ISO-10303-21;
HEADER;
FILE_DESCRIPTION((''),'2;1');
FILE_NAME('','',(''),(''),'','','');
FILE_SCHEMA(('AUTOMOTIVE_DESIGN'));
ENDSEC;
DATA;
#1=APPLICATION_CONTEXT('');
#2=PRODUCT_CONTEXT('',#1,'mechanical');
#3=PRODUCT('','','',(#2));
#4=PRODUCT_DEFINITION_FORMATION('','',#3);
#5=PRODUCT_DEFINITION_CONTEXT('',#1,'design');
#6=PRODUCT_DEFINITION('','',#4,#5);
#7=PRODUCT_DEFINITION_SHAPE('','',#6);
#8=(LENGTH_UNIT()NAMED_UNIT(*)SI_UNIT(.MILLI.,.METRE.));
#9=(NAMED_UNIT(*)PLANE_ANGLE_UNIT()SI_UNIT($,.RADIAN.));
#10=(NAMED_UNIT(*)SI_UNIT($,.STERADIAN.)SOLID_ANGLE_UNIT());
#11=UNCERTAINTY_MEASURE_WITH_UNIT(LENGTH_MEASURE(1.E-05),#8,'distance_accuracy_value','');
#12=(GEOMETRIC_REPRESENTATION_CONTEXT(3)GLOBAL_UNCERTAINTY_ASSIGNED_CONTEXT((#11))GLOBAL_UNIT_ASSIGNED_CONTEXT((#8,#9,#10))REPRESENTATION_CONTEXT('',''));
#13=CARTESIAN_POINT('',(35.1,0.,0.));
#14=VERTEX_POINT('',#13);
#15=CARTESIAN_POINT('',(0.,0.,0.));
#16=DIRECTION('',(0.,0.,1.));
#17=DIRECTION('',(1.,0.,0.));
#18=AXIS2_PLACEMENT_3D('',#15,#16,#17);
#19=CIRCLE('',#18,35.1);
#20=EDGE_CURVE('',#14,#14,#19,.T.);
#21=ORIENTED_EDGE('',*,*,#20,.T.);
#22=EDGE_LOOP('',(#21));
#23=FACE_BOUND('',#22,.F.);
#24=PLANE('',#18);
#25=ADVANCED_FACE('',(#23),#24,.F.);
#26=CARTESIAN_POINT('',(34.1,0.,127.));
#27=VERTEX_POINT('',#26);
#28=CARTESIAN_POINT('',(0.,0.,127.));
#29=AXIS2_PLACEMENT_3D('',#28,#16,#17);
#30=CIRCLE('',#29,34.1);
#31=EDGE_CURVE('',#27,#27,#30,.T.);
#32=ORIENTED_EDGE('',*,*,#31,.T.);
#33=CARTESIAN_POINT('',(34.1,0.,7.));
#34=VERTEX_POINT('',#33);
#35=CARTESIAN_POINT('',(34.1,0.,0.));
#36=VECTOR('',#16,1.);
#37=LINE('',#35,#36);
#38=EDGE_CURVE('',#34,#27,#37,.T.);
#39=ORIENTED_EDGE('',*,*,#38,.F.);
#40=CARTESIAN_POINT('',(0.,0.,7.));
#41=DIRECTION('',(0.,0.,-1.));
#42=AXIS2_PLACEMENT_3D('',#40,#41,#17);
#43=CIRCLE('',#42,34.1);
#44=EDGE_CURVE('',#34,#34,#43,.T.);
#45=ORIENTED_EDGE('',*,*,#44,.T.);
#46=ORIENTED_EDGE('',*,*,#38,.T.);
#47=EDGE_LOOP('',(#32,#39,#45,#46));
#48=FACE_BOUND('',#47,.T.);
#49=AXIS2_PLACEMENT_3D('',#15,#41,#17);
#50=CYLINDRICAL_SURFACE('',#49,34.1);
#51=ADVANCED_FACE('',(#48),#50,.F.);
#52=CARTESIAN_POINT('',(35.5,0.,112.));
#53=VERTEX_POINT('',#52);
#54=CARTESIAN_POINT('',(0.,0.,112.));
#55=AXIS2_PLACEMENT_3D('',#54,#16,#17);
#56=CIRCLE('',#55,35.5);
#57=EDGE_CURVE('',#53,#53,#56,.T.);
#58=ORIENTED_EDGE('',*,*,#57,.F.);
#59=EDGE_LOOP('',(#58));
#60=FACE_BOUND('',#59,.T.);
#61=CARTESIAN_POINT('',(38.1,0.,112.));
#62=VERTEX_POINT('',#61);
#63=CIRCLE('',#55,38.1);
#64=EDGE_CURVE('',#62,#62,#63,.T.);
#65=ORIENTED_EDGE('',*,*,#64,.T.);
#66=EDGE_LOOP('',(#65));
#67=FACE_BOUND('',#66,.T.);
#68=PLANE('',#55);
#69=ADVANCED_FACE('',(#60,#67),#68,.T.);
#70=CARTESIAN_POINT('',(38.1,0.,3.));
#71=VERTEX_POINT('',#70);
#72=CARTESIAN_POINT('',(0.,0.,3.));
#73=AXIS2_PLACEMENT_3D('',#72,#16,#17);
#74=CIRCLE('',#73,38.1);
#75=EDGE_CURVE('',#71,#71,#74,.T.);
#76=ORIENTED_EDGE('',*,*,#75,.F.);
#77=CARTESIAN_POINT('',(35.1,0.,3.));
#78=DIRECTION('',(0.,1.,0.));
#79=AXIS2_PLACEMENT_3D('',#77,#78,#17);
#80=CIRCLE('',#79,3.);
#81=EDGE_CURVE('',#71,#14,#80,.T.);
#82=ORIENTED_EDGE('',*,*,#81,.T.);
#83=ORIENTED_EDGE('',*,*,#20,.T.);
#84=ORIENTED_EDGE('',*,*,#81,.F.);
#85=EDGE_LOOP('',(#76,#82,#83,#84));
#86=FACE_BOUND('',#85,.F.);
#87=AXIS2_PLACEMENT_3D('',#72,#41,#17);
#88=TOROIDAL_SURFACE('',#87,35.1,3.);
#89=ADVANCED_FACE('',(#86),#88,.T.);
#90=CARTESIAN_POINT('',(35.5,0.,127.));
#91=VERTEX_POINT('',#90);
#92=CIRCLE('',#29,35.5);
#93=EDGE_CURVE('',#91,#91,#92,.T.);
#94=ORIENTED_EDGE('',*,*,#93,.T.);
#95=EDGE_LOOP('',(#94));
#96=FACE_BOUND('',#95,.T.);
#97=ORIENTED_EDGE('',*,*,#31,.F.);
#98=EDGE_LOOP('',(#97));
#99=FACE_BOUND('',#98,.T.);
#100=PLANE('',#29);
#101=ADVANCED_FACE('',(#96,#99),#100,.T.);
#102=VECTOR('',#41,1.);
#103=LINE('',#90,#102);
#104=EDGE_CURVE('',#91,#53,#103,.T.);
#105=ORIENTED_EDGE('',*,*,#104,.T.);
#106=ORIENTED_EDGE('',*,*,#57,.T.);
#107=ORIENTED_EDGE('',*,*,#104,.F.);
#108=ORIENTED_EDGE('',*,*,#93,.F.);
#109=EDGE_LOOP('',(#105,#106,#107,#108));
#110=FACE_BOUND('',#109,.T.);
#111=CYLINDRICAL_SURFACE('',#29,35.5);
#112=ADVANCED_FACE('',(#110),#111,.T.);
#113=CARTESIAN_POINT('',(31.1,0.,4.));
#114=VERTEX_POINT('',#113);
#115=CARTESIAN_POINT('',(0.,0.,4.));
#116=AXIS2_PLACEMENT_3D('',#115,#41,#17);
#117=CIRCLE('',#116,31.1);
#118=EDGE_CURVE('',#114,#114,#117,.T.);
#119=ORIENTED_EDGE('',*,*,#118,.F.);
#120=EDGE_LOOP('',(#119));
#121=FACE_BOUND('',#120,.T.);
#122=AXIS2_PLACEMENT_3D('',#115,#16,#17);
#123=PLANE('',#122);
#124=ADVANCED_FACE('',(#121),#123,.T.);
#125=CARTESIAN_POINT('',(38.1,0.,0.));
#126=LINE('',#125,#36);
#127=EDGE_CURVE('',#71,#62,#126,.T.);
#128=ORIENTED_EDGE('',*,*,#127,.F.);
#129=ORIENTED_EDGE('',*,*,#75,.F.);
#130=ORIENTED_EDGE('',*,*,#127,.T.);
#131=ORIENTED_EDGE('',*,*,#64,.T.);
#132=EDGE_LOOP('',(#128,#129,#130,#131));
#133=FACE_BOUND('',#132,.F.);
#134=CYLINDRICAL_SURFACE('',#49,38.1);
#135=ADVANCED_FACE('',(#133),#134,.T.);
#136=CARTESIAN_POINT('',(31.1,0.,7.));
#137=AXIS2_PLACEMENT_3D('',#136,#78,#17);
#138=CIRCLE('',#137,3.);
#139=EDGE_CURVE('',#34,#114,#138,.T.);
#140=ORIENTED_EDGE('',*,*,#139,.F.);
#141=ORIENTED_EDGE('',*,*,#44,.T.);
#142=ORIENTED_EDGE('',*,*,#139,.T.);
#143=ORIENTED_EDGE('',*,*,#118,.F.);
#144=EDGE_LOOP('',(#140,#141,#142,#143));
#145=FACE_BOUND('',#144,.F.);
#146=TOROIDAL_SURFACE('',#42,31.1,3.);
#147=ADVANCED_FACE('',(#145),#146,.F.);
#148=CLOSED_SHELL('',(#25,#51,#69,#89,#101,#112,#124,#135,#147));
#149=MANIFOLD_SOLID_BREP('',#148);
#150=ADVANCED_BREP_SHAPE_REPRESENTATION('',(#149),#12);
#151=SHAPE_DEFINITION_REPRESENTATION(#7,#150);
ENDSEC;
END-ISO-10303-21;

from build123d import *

# Parameters (mm, degrees)
F0_R     = 38.1
F1_DEPTH = 127
F2_T     = -4
F3_R     = 38.1
F3_R_2   = 35.5
F4_DEPTH = 15
F5_R     = 3


with BuildPart() as f1:
    # F0 (on Top) → F1 (new body)
    with BuildSketch(Plane.XY):
        Circle(F0_R)
    extrude(amount=F1_DEPTH)

    # F2
    f2_openings = [f1.faces().sort_by_distance(p)[0] for p in [
        (0, 0, 127),
    ]]
    offset(amount=F2_T, openings=f2_openings)

    # F3 (on face) → F4 (cut)
    with BuildSketch(Plane.XY.offset(127)):
        Circle(F3_R)
        Circle(F3_R_2, mode=Mode.SUBTRACT)
    extrude(amount=-F4_DEPTH, mode=Mode.SUBTRACT)

    # F5
    f5_edges = [f1.edges().sort_by_distance(p)[0] for p in [
        (-38.1, 0, 0),
        (-34.1, 0, 4),
    ]]
    fillet(f5_edges, radius=F5_R)


solid = f1.part
